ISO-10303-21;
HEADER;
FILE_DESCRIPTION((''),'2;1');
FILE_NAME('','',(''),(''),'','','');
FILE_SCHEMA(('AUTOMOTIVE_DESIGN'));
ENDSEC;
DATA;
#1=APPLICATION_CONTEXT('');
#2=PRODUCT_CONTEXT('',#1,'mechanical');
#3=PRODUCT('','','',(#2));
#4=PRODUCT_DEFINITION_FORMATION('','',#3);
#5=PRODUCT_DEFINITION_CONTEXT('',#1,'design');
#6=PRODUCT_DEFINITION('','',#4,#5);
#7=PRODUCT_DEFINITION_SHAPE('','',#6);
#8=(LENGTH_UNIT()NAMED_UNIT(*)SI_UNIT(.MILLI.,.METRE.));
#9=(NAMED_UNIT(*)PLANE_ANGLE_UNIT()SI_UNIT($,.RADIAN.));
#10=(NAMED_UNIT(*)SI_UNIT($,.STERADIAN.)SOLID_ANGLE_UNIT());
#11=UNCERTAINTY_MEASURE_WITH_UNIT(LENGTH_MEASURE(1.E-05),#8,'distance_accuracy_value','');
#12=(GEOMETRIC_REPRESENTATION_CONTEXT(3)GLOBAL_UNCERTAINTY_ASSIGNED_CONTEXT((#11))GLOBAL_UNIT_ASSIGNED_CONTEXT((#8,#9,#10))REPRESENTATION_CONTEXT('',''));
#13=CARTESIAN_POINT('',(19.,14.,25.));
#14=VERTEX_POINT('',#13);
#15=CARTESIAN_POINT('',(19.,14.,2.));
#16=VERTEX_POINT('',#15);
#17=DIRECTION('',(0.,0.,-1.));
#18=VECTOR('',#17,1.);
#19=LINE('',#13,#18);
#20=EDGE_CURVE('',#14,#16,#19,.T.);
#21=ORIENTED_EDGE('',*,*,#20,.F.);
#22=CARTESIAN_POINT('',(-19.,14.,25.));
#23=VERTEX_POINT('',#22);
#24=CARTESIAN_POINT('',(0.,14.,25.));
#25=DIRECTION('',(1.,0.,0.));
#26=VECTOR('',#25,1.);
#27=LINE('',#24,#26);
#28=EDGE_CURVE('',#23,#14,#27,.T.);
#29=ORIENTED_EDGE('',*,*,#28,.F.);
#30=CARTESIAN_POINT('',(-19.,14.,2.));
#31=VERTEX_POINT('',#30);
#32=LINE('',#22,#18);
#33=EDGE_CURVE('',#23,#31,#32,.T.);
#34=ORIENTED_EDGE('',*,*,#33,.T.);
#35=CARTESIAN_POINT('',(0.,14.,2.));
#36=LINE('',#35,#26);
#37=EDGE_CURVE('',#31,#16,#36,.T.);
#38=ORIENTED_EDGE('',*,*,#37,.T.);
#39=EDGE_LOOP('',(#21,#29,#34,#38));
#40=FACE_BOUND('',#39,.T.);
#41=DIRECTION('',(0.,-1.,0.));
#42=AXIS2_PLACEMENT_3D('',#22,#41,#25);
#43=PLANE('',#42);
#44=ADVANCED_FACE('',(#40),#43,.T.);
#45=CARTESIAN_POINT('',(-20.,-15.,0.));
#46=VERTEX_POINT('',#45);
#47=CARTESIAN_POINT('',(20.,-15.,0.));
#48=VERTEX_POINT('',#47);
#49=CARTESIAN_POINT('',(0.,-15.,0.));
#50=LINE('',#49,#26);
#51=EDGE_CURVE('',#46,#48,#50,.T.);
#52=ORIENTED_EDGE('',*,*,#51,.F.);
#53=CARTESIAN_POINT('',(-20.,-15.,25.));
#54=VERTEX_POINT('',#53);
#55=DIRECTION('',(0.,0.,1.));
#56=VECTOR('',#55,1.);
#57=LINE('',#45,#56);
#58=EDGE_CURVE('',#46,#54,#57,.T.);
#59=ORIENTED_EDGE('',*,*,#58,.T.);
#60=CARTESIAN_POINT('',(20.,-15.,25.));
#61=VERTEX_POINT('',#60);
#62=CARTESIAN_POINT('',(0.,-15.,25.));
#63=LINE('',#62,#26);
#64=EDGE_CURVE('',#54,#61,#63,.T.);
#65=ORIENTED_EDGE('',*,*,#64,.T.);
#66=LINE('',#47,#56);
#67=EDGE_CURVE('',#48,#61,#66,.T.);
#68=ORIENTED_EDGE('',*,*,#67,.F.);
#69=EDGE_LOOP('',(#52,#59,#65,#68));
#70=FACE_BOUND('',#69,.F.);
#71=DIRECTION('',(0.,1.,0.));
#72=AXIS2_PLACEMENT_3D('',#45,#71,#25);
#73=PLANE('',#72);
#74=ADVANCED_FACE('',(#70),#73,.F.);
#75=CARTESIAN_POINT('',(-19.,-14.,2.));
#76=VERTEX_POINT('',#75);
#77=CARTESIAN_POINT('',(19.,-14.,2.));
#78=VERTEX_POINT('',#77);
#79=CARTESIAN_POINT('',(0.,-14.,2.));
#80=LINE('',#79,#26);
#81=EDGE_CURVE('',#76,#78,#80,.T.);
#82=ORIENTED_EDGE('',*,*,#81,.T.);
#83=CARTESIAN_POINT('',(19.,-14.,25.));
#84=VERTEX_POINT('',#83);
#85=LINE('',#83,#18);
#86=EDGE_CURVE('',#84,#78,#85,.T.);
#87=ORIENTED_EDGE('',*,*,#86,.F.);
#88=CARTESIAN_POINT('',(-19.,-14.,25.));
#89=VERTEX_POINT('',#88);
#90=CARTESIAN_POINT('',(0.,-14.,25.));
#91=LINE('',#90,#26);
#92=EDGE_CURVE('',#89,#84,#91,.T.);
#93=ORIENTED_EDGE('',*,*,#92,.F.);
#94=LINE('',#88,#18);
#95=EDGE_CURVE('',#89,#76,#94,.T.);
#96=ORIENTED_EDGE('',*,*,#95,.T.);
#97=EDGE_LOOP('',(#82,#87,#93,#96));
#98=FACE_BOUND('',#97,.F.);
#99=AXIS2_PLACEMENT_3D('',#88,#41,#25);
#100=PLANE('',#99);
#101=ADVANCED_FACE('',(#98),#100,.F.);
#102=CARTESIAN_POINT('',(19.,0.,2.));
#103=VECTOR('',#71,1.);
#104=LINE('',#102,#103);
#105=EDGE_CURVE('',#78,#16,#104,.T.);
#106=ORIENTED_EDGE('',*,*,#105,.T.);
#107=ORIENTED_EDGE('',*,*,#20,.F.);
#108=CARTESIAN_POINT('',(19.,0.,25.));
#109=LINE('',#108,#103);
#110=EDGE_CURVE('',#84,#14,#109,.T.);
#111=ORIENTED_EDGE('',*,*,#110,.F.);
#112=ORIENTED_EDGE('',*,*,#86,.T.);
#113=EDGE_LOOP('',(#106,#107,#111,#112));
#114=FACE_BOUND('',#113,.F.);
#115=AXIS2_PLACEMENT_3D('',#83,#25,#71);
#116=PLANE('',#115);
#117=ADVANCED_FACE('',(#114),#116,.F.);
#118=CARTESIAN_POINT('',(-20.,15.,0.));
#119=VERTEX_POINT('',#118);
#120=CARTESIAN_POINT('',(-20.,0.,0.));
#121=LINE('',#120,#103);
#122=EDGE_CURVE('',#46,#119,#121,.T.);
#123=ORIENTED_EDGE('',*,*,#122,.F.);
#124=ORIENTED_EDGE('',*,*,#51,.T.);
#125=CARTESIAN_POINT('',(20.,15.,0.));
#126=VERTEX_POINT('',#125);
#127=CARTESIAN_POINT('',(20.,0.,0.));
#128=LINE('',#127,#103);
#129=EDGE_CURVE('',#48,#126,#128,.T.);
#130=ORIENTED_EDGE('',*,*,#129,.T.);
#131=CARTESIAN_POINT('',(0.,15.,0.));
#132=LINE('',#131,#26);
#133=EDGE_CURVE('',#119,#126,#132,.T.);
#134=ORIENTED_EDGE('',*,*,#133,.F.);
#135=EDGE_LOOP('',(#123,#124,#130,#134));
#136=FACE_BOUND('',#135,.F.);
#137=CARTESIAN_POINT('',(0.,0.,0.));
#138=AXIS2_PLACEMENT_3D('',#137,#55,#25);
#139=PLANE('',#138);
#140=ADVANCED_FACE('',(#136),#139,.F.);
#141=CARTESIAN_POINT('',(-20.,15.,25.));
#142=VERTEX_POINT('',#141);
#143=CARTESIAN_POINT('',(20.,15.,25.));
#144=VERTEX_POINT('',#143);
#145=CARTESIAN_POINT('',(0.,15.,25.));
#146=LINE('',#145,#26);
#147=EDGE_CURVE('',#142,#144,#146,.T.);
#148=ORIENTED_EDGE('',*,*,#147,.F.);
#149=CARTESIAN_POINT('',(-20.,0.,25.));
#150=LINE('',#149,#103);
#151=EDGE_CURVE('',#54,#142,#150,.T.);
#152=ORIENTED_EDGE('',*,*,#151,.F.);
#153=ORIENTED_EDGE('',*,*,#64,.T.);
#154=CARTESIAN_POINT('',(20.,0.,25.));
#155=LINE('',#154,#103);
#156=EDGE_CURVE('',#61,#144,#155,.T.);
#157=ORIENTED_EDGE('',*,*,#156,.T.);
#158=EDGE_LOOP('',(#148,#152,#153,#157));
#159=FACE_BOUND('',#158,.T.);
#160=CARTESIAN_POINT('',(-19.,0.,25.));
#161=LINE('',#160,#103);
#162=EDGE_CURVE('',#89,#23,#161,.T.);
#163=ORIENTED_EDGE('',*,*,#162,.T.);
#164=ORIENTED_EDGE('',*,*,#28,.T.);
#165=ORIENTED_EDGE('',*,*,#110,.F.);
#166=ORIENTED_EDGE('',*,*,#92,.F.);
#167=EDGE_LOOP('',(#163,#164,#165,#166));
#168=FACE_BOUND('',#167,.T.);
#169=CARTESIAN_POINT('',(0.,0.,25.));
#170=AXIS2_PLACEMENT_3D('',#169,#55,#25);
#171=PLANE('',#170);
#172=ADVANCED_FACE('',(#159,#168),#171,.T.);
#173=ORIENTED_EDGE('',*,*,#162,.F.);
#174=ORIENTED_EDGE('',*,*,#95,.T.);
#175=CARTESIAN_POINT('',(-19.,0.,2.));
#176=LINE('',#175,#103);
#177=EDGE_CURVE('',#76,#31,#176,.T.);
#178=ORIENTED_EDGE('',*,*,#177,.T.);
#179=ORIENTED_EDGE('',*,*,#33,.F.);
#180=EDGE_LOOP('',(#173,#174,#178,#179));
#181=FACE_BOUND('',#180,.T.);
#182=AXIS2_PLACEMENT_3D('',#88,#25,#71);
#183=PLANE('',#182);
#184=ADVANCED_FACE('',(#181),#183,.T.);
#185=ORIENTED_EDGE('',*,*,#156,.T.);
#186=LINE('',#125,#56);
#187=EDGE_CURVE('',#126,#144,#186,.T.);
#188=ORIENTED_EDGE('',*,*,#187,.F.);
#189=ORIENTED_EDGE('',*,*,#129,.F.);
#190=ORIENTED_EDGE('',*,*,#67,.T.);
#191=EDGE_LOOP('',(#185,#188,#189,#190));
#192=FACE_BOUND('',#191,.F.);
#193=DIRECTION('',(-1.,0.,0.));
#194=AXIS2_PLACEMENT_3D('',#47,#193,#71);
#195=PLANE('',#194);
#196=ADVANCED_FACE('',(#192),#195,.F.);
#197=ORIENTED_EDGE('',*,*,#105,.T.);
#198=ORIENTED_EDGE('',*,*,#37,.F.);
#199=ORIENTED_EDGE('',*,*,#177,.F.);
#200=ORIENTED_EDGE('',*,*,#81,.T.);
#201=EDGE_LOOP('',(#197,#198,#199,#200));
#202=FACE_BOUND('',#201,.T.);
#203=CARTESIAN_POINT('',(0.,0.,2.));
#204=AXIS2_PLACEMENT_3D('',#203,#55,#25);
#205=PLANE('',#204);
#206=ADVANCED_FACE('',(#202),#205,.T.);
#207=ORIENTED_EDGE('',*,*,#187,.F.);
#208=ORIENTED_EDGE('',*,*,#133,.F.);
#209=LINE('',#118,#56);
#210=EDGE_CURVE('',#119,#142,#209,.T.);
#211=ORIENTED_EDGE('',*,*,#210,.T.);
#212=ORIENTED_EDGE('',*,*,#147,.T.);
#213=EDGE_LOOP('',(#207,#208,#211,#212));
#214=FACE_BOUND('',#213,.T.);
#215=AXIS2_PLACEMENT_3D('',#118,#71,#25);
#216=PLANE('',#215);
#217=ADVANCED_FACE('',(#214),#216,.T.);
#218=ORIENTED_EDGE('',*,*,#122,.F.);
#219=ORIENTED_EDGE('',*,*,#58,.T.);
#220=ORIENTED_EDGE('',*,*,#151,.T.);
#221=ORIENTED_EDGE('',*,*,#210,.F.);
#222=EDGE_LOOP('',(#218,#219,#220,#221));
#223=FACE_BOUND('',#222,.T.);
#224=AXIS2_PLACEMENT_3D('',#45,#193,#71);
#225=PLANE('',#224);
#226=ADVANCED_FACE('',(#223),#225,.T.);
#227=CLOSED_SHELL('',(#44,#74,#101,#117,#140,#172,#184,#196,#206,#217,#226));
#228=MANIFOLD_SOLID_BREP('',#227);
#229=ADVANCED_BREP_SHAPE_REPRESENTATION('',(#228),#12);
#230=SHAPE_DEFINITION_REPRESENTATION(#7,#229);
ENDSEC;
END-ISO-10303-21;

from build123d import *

# Parameters (mm, degrees)
SKETCH_W     = 40
SKETCH_H     = 30
PAD_DEPTH    = 25
SKETCH001_W  = 38
SKETCH001_H  = 28
POCKET_DEPTH = 23


with BuildPart() as part:
    # Sketch → Pad (new body)
    with BuildSketch(Plane.XY):
        Rectangle(SKETCH_W, SKETCH_H)
    extrude(amount=PAD_DEPTH)

    # Sketch001 (on Face6 of Pad) → Pocket (cut)
    with BuildSketch(Plane.XY.offset(25)):
        Rectangle(SKETCH001_W, SKETCH001_H)
    extrude(amount=-POCKET_DEPTH, mode=Mode.SUBTRACT)


solid = part.part
